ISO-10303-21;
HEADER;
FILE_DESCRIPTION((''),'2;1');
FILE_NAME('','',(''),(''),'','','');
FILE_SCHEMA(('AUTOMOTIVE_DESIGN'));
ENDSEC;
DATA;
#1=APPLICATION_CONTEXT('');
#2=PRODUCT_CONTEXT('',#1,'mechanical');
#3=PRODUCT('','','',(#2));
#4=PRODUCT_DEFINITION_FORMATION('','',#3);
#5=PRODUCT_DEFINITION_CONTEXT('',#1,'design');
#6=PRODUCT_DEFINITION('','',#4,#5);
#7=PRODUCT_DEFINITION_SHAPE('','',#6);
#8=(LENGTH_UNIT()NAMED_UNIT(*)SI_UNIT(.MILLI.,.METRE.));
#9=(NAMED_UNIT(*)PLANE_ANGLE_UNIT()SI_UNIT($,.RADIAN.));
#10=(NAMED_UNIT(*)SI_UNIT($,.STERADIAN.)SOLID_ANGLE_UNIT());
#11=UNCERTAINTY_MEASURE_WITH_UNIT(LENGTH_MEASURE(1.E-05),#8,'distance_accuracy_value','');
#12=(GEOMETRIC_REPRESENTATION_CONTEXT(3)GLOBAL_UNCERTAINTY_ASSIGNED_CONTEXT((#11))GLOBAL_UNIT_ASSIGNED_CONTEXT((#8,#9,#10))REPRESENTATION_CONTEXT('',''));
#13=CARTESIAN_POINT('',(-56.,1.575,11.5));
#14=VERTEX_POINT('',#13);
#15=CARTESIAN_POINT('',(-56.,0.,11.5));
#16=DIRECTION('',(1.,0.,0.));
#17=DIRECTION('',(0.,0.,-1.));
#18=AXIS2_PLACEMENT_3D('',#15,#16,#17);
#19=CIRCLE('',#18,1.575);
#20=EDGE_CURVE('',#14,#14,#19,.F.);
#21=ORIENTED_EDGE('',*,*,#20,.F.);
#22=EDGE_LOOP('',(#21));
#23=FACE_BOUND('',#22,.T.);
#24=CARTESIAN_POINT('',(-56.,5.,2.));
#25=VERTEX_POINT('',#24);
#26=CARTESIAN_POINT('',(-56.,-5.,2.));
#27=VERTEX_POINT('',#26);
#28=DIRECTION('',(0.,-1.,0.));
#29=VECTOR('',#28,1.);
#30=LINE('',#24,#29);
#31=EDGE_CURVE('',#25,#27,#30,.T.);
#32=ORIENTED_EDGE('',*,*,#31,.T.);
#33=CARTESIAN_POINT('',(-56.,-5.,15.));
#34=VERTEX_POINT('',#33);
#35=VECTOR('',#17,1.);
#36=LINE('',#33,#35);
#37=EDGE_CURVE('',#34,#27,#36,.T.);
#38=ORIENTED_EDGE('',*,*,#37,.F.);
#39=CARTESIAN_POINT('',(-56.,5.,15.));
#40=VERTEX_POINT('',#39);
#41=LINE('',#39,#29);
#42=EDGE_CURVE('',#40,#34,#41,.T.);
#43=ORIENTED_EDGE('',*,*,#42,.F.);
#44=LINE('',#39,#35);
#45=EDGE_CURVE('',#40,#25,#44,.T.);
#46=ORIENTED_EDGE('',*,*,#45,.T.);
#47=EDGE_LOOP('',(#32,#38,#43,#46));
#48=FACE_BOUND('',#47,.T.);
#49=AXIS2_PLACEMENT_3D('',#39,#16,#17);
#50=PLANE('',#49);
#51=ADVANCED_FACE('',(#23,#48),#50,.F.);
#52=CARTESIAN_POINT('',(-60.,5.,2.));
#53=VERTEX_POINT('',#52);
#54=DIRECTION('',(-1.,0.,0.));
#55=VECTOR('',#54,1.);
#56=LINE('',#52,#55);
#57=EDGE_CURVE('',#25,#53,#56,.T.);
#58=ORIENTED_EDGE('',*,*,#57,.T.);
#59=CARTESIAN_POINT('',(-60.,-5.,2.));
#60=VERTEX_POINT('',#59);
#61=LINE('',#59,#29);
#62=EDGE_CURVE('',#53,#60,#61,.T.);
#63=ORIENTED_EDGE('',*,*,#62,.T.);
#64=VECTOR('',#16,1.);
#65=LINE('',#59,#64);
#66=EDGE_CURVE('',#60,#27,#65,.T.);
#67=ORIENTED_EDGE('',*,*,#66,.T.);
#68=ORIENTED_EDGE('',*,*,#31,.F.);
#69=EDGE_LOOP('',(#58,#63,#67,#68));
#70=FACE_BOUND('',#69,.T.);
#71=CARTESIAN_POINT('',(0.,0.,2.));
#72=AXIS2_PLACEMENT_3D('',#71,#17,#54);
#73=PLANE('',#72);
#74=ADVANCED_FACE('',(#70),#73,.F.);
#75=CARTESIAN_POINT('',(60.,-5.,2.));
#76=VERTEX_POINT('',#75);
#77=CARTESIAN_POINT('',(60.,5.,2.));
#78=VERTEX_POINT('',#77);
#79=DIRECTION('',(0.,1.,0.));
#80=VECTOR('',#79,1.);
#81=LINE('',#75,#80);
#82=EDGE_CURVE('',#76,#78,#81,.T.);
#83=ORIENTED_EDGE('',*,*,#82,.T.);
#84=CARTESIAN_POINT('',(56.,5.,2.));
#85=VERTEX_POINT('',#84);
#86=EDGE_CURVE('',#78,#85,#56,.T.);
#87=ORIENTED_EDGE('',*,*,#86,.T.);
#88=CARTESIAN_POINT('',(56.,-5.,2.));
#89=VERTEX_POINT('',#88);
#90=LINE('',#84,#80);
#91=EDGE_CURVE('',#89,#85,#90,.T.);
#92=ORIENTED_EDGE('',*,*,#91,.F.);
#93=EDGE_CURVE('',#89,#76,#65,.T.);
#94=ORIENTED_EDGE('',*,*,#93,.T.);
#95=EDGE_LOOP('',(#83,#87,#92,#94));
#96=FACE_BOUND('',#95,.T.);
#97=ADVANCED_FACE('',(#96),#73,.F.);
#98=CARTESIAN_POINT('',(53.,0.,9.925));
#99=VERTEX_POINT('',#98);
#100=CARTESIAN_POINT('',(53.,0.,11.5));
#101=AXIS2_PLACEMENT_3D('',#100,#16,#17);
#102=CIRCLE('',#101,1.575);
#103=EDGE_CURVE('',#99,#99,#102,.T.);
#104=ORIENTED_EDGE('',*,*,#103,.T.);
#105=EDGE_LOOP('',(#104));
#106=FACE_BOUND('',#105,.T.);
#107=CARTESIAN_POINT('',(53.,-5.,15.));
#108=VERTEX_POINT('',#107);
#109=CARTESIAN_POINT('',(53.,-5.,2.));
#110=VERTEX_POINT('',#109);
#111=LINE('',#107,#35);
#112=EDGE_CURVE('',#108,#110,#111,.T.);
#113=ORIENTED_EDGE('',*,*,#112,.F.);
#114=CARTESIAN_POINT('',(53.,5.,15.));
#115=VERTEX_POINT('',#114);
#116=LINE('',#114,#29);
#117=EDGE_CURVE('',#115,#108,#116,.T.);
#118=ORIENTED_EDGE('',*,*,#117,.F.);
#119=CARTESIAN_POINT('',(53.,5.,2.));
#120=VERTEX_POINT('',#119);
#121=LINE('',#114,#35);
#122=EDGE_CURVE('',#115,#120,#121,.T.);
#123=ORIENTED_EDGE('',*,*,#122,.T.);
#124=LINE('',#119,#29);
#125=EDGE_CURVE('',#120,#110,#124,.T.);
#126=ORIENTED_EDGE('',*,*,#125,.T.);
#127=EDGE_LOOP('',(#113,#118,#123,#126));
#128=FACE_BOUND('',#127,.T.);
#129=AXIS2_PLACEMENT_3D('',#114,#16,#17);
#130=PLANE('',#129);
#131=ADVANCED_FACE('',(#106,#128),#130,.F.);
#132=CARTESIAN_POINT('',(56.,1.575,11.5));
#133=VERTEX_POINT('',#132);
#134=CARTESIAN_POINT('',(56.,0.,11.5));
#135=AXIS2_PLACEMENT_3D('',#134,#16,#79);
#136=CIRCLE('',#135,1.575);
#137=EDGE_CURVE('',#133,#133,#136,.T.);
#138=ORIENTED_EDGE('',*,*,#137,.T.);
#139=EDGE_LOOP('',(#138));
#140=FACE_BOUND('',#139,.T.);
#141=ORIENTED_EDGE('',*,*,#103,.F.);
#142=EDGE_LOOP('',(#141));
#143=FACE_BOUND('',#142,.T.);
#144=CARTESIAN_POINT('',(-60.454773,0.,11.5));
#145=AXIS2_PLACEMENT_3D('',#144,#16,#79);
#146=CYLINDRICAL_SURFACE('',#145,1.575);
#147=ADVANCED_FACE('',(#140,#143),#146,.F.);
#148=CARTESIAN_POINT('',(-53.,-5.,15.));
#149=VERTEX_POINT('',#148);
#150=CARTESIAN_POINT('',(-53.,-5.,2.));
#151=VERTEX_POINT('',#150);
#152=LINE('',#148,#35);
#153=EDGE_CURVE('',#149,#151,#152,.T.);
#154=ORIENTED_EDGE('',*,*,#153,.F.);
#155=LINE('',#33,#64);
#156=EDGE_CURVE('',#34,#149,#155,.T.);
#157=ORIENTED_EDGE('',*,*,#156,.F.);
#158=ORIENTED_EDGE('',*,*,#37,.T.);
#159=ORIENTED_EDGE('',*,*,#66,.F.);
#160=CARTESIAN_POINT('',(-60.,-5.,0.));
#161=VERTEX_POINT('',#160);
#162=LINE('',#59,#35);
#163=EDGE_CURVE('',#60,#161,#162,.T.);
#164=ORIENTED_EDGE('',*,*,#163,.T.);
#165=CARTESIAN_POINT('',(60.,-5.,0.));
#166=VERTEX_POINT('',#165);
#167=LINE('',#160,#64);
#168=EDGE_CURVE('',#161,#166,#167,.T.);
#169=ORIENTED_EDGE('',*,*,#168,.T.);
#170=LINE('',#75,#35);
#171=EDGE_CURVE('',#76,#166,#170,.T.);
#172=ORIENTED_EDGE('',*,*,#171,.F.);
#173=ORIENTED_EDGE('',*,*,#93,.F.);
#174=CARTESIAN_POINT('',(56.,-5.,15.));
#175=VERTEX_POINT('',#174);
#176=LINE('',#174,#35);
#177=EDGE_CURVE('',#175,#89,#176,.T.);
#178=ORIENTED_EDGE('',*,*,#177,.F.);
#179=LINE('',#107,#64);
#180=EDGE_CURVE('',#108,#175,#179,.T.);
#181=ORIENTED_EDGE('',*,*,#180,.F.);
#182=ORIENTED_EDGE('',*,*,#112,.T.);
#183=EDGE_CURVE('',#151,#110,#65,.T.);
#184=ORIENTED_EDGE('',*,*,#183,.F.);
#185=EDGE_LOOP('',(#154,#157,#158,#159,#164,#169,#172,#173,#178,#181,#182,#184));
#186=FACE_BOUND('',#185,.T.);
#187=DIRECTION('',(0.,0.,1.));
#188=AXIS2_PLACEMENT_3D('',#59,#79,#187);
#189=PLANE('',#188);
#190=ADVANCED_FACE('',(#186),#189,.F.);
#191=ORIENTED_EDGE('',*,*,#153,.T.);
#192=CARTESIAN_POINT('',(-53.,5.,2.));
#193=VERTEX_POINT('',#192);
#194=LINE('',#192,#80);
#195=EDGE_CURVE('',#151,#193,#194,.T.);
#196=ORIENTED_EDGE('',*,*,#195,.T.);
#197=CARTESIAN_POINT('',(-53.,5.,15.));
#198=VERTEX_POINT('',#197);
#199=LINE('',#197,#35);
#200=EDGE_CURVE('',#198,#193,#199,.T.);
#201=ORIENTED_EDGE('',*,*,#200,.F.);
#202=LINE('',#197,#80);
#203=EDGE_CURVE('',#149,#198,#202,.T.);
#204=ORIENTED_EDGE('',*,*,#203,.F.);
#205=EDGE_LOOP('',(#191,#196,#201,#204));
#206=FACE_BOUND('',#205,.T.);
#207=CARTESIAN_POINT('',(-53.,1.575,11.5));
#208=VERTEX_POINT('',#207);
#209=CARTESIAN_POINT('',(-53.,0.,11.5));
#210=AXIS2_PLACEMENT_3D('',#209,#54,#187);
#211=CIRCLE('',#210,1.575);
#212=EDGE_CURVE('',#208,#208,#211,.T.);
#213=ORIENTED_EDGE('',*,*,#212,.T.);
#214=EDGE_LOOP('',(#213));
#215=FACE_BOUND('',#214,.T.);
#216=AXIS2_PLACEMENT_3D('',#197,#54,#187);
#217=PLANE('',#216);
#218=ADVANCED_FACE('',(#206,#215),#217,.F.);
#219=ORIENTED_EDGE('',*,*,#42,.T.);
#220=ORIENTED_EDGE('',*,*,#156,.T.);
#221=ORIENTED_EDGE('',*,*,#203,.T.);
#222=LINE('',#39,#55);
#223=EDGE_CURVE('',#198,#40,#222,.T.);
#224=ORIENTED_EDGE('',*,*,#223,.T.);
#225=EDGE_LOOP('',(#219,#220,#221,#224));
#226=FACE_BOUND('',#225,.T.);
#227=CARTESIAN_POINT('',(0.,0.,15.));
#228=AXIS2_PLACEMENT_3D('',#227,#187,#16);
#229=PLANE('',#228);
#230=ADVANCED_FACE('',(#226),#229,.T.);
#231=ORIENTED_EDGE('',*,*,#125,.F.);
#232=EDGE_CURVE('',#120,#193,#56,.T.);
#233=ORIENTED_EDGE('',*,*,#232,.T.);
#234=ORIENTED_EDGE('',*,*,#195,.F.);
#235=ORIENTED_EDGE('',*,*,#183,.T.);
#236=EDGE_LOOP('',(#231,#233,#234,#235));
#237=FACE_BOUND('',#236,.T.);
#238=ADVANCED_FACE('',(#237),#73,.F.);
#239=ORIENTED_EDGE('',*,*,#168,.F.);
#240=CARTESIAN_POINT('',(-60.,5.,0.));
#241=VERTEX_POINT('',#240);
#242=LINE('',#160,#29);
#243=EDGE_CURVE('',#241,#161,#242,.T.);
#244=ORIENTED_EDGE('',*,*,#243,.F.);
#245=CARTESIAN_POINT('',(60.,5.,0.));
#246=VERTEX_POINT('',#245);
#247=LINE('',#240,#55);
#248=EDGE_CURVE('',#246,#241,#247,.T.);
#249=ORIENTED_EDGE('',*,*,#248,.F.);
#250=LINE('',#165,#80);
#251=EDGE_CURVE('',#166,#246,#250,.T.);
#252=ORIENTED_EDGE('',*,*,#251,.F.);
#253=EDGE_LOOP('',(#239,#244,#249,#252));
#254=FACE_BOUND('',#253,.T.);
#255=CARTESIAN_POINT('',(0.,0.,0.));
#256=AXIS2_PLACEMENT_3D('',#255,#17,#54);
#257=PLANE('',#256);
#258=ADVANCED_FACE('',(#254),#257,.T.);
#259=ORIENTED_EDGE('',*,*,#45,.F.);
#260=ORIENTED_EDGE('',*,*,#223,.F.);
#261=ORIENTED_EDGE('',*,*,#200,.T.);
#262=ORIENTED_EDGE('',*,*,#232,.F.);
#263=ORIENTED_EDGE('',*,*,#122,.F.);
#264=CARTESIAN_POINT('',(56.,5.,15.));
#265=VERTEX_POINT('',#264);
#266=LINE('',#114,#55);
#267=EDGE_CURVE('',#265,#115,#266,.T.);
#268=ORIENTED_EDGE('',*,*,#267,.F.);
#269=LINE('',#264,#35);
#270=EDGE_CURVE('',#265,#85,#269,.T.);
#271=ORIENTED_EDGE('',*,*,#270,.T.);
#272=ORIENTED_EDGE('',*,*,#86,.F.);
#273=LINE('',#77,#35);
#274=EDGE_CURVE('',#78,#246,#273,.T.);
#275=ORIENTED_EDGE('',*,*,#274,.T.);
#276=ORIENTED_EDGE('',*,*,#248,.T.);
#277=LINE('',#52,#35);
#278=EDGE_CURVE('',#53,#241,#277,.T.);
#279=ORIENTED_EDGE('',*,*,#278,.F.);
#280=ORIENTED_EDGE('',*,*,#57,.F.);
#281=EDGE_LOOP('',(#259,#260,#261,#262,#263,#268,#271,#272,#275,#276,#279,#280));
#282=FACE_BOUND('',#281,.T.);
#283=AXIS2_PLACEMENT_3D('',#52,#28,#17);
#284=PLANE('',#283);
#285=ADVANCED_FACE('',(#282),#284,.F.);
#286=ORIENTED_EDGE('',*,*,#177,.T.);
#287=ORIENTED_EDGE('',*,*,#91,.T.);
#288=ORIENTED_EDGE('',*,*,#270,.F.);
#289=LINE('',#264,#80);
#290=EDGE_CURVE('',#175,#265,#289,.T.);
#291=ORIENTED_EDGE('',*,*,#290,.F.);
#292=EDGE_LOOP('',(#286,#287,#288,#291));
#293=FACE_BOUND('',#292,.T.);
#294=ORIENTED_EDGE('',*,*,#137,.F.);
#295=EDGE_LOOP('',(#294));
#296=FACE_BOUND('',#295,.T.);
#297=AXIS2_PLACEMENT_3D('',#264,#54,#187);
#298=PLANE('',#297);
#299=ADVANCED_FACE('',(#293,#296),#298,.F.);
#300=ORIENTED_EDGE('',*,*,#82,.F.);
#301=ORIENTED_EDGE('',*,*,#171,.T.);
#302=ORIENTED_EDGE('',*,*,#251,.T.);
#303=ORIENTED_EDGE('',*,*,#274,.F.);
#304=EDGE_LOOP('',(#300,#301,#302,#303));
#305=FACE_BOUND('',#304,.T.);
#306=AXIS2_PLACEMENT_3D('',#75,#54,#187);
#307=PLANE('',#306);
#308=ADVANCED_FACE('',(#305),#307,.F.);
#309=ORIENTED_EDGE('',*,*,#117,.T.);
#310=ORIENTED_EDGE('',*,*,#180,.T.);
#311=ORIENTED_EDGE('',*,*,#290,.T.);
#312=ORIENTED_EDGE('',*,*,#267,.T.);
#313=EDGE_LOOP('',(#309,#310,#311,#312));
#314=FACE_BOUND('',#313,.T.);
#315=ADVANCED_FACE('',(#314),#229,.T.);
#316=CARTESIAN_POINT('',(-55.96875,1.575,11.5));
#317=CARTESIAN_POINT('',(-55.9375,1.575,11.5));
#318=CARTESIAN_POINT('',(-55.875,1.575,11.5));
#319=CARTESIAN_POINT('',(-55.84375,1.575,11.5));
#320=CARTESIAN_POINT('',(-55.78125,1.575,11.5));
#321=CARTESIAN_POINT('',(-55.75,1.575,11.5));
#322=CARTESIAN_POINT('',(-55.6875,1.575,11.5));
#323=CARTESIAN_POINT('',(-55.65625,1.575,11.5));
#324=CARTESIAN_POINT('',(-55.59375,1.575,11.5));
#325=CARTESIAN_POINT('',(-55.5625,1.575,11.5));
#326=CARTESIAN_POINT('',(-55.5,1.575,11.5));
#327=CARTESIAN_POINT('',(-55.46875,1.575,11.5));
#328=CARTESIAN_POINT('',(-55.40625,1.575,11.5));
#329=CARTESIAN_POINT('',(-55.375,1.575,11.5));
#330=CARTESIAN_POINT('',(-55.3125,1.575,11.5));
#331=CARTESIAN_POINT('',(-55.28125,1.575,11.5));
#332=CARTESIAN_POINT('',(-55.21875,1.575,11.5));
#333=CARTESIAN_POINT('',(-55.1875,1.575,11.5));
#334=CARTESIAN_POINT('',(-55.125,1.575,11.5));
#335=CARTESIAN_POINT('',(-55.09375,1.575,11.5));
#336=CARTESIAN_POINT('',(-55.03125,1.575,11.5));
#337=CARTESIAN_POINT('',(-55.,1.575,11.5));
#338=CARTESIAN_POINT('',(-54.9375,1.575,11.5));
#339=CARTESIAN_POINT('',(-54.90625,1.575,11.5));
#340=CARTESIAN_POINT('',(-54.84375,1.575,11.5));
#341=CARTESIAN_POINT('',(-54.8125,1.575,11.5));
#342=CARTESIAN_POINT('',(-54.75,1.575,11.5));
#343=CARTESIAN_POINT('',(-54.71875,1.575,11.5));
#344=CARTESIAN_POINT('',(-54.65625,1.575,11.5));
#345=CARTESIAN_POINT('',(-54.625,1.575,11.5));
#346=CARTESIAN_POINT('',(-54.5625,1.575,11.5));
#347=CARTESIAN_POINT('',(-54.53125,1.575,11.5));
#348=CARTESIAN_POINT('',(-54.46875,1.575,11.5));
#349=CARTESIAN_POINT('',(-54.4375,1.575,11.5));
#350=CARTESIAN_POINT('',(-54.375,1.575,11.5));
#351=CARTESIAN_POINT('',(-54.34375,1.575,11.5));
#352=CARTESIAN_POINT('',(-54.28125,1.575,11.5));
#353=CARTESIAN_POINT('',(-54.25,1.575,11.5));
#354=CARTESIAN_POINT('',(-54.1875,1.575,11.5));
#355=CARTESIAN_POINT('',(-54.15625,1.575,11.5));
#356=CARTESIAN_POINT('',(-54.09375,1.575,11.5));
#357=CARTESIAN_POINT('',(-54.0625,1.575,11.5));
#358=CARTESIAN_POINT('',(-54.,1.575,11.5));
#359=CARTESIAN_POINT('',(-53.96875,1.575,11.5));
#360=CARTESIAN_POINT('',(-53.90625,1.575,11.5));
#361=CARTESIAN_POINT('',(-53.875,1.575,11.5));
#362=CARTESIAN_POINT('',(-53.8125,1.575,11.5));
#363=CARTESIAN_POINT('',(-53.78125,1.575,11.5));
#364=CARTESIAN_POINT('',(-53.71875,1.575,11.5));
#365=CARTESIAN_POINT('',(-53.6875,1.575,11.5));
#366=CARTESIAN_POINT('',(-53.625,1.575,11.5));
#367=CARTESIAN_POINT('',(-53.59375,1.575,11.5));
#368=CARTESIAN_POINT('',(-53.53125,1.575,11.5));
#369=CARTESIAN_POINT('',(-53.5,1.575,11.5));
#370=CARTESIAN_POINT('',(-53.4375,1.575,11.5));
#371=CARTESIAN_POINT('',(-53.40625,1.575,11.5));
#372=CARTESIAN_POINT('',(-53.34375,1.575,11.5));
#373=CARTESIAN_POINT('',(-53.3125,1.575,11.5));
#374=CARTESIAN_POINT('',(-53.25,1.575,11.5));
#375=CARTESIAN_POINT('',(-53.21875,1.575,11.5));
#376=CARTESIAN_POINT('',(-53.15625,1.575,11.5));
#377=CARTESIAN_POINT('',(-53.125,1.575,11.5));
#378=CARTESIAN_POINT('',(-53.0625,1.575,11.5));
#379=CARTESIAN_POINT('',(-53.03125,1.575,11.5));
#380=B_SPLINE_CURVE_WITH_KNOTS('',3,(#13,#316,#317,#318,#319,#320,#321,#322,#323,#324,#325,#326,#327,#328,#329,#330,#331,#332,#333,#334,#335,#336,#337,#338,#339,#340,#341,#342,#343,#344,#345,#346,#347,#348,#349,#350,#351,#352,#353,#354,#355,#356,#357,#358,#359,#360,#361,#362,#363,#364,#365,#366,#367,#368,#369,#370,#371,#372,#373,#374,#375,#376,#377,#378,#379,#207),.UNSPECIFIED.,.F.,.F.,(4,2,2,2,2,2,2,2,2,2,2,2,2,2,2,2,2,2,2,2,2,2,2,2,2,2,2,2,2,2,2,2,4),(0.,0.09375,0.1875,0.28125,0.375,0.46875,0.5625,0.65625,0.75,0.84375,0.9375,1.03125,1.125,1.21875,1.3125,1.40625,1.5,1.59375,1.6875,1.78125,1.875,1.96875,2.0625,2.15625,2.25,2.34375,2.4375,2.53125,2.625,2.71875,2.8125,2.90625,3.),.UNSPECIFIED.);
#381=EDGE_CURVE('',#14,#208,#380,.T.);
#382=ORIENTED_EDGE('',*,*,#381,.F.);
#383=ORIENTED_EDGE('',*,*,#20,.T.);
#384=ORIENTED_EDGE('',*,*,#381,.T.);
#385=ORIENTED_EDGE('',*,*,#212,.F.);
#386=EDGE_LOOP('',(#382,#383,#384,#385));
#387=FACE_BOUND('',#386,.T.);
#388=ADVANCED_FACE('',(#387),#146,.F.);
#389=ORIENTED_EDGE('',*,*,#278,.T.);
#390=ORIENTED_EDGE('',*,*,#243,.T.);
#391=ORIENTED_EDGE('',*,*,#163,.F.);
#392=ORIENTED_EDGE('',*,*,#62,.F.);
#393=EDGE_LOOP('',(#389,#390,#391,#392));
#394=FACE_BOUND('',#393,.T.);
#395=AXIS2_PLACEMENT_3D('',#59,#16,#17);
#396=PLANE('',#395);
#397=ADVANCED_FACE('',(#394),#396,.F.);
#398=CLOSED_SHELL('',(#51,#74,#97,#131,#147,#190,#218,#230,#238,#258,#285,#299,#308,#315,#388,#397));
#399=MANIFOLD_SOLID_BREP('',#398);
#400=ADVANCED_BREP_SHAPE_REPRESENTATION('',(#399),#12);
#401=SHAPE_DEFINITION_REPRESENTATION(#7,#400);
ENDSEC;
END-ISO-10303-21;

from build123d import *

# Parameters (mm, degrees)
SKETCH_1_W          = 120
SKETCH_1_H          = 10
EXTRUDE_1_DEPTH     = 2
SKETCH_2_W          = 3
SKETCH_2_H          = 10
EXTRUDE_2_DEPTH     = 13
CUT_EXTRUDE_1_REACH = 119.073
SKETCH_3_R          = 1.575


with BuildPart() as part:
    # 草图1 → 凸台-拉伸1 (new body)
    with BuildSketch(Plane.XY):
        Rectangle(SKETCH_1_W, SKETCH_1_H)
    extrude(amount=EXTRUDE_1_DEPTH)

    # 草图2 → 凸台-拉伸2 (add)
    with BuildSketch(Plane.XY.offset(2)):
        with Locations((-54.5, 0)):
            Rectangle(SKETCH_2_W, SKETCH_2_H)
        with Locations((54.5, 0)):
            Rectangle(SKETCH_2_W, SKETCH_2_H)
    extrude(amount=EXTRUDE_2_DEPTH)

    # 切除-拉伸1: up to this face of the body (flat: up to its plane)
    cut_extrude_1_end = Plane(part.part.faces().sort_by_distance((-56, 0, 8.5))[0])
    # 草图3 → 切除-拉伸1 (cut, up to the picked face)
    with BuildSketch(Plane(origin=(56, 0, 0), x_dir=(0, 0, -1), z_dir=(1, 0, 0)), mode=Mode.PRIVATE) as cut_extrude_1_sk1:
        with Locations(Location((-11.5, 0, 0), (0, 0, 90))):
            Circle(SKETCH_3_R)
    cut_extrude_1_tool1 = split(extrude(cut_extrude_1_sk1.sketch, amount=-CUT_EXTRUDE_1_REACH, mode=Mode.PRIVATE), bisect_by=cut_extrude_1_end, keep=Keep.BOTH, mode=Mode.PRIVATE)
    add(cut_extrude_1_tool1.solids().sort_by(Axis((56, 0, 11.5), (-1, 0, 0)))[0], mode=Mode.SUBTRACT)


solid = part.part
